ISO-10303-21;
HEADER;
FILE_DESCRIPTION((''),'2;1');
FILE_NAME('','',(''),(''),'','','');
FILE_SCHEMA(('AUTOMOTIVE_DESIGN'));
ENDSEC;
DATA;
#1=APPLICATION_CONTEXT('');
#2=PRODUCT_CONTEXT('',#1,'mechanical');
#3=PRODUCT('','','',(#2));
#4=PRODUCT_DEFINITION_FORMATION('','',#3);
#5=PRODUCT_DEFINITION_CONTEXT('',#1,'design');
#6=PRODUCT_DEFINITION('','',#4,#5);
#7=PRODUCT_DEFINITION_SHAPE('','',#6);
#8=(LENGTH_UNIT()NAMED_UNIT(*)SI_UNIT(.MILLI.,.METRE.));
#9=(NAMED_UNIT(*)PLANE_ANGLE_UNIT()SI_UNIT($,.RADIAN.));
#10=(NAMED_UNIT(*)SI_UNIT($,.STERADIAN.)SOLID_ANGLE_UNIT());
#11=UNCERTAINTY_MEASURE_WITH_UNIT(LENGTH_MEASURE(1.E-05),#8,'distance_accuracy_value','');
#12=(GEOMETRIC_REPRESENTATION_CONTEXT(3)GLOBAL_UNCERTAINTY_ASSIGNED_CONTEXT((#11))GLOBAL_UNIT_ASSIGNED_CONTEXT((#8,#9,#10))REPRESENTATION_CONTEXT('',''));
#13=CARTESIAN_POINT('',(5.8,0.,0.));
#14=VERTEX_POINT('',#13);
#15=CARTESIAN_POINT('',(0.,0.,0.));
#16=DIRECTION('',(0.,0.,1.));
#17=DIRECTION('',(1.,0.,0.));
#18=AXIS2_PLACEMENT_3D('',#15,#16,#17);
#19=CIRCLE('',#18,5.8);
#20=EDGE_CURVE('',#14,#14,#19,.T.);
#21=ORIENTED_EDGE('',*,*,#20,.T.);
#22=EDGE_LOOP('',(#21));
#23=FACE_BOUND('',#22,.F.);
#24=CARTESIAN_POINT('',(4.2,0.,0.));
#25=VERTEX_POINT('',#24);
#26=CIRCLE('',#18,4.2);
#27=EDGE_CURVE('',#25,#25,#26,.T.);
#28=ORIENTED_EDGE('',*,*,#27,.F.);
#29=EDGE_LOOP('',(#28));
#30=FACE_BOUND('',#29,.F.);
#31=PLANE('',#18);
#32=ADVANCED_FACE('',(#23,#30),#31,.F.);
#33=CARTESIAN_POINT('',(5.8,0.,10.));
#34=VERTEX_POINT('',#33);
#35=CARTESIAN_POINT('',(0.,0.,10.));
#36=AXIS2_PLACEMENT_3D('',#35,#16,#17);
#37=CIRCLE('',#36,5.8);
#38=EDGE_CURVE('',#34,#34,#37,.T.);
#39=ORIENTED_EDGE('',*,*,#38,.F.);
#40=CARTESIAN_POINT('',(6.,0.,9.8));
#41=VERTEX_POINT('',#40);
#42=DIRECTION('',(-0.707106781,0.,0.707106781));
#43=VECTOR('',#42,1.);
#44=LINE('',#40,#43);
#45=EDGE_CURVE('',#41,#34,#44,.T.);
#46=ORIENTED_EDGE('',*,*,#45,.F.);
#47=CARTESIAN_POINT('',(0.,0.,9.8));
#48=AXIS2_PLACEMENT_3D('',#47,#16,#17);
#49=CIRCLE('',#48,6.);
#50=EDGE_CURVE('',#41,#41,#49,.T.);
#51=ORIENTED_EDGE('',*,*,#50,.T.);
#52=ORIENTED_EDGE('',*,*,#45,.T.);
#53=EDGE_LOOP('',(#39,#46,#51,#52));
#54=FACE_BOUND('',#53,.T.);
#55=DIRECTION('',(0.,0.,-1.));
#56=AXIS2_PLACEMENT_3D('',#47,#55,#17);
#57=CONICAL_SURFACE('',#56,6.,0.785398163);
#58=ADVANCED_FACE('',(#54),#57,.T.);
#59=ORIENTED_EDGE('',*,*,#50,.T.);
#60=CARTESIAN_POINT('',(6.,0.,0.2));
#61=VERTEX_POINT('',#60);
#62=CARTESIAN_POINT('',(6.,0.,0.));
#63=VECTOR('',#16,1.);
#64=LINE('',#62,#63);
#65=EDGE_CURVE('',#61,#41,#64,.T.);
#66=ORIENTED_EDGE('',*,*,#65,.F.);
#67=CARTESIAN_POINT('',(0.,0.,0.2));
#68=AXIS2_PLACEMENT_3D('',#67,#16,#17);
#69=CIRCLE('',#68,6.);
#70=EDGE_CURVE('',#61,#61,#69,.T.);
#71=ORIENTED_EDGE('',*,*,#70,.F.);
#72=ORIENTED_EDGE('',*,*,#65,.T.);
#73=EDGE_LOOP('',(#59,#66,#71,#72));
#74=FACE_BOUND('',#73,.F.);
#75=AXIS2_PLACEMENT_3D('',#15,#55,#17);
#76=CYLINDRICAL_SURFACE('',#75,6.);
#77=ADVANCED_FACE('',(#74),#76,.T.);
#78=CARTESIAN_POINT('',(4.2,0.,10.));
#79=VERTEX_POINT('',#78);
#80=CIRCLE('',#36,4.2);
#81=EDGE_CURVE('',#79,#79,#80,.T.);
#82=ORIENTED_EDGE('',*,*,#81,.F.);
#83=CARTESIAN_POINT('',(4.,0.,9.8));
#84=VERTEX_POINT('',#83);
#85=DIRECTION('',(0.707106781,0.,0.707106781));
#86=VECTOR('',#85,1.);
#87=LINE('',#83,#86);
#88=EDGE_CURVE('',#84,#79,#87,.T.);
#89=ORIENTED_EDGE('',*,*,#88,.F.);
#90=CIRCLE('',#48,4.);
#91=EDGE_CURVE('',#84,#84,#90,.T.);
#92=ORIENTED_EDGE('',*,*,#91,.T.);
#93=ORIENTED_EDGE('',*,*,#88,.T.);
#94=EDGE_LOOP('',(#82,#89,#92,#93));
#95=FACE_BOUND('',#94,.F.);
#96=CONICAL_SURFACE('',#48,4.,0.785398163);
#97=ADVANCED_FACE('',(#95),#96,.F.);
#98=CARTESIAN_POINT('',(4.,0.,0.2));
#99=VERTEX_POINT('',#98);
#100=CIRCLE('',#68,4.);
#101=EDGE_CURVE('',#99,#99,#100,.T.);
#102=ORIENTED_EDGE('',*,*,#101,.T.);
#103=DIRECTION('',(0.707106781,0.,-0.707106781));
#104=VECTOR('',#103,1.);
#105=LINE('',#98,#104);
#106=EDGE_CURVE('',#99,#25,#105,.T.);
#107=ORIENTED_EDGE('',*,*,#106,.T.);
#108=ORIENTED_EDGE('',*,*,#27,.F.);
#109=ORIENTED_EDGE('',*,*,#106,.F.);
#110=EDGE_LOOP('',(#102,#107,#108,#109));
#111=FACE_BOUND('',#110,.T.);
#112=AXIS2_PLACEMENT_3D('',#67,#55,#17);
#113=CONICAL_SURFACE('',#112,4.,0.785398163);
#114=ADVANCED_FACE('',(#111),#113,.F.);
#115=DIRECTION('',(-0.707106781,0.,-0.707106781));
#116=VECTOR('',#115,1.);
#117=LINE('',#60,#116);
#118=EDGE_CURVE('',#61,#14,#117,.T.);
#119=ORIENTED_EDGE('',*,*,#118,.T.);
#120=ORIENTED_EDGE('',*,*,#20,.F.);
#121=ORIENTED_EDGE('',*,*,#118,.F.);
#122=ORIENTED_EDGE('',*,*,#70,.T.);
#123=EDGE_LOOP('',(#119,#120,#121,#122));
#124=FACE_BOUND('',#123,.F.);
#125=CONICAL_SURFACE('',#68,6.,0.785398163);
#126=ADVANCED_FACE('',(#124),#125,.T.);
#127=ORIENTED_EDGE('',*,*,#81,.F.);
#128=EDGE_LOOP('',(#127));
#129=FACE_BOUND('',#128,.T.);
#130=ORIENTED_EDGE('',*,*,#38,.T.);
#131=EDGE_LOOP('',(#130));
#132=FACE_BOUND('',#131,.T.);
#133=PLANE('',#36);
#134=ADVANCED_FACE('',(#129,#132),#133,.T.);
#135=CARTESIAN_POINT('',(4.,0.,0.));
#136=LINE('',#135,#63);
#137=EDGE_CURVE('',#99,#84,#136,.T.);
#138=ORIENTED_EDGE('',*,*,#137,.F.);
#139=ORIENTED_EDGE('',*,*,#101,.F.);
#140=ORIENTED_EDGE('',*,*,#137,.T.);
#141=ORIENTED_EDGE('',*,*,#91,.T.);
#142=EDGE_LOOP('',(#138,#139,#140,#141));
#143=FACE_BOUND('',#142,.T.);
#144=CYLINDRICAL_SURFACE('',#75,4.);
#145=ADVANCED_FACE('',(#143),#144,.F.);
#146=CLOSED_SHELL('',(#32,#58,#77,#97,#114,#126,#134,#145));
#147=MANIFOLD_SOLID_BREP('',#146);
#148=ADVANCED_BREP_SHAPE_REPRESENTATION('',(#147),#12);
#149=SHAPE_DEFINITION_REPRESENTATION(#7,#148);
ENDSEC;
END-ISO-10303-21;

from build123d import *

# Parameters (mm, degrees)
ESQUISSE1_R        = 6
ESQUISSE1_R_2      = 4
BOSS_EXTRU_1_DEPTH = 10
CHANFREIN1_SIZE    = 0.2


with BuildPart() as part:
    # Esquisse1 → Boss.-Extru.1 (new body)
    with BuildSketch(Plane.XY):
        Circle(ESQUISSE1_R)
        Circle(ESQUISSE1_R_2, mode=Mode.SUBTRACT)
    extrude(amount=BOSS_EXTRU_1_DEPTH)

    # Chanfrein1
    chanfrein1_edges = [part.edges().sort_by_distance(p)[0] for p in [
        (-6, 0, 0),
        (-6, 0, 10),
        (-4, 0, 0),
        (-4, 0, 10),
    ]]
    chamfer(chanfrein1_edges, length=CHANFREIN1_SIZE)


solid = part.part
